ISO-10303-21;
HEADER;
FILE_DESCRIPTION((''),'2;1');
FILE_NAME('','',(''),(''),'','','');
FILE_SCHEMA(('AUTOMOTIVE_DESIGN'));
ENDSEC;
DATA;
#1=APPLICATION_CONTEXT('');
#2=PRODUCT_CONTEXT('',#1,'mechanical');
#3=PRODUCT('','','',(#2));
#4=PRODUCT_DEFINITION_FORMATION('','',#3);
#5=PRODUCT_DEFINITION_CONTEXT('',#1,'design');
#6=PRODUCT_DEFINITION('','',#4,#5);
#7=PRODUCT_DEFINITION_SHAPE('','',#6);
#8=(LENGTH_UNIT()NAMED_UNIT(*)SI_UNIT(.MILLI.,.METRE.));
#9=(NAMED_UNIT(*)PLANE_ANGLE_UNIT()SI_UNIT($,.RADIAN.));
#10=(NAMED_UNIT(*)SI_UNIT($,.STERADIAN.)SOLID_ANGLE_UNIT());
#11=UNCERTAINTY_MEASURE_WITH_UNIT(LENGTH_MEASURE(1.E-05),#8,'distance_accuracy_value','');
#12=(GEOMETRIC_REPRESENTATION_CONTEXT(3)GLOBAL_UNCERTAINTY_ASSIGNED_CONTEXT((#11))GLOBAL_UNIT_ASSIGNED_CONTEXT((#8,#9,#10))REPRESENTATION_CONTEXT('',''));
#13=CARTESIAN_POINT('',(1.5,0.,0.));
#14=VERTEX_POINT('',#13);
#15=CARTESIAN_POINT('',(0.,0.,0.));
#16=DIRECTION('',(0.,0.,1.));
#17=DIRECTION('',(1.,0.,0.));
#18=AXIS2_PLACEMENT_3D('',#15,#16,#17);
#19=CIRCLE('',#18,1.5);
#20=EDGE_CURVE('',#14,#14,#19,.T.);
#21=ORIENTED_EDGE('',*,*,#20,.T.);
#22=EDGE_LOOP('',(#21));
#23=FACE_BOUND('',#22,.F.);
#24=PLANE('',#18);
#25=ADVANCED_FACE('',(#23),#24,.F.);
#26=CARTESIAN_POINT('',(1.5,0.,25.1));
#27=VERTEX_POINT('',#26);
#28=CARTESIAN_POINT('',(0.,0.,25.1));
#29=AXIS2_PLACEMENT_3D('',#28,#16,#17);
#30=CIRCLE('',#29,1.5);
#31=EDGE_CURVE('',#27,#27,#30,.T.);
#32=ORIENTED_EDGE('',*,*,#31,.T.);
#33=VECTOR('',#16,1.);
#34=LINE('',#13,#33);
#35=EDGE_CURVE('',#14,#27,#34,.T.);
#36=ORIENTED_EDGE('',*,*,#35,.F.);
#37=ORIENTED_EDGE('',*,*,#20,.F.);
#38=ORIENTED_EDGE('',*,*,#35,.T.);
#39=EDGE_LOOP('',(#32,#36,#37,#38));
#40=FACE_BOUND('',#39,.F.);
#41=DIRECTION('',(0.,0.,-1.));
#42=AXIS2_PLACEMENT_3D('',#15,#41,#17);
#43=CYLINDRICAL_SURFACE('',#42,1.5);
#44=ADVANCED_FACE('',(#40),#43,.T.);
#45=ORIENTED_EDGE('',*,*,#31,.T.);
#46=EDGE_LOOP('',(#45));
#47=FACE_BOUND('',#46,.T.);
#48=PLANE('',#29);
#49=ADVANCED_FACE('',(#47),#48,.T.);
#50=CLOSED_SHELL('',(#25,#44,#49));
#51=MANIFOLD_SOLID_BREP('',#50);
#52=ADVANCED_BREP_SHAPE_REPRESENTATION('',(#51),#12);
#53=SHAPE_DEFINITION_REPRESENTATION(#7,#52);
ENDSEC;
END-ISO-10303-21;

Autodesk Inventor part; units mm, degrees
ref_plane "YZ Plane" through (0, 0, 0) normal (1, 0, 0) x (0, 1, 0)
ref_plane "XZ Plane" through (0, 0, 0) normal (0, 1, 0) x (-1, 0, 0)
ref_plane "XY Plane" through (0, 0, 0) normal (0, 0, 1) x (1, 0, 0)
sketch "Sketch1" plane through (0, 0, 0) normal (0, 0, 1) x (1, 0, 0)
  circle A0 centre (0, 0) radius 1.5
  dimension "d0" = 3
extrude "Extrusion1" add sketch "Sketch1" along normal blind 25.1
properties part number "Eje_rotacion_trasero"
